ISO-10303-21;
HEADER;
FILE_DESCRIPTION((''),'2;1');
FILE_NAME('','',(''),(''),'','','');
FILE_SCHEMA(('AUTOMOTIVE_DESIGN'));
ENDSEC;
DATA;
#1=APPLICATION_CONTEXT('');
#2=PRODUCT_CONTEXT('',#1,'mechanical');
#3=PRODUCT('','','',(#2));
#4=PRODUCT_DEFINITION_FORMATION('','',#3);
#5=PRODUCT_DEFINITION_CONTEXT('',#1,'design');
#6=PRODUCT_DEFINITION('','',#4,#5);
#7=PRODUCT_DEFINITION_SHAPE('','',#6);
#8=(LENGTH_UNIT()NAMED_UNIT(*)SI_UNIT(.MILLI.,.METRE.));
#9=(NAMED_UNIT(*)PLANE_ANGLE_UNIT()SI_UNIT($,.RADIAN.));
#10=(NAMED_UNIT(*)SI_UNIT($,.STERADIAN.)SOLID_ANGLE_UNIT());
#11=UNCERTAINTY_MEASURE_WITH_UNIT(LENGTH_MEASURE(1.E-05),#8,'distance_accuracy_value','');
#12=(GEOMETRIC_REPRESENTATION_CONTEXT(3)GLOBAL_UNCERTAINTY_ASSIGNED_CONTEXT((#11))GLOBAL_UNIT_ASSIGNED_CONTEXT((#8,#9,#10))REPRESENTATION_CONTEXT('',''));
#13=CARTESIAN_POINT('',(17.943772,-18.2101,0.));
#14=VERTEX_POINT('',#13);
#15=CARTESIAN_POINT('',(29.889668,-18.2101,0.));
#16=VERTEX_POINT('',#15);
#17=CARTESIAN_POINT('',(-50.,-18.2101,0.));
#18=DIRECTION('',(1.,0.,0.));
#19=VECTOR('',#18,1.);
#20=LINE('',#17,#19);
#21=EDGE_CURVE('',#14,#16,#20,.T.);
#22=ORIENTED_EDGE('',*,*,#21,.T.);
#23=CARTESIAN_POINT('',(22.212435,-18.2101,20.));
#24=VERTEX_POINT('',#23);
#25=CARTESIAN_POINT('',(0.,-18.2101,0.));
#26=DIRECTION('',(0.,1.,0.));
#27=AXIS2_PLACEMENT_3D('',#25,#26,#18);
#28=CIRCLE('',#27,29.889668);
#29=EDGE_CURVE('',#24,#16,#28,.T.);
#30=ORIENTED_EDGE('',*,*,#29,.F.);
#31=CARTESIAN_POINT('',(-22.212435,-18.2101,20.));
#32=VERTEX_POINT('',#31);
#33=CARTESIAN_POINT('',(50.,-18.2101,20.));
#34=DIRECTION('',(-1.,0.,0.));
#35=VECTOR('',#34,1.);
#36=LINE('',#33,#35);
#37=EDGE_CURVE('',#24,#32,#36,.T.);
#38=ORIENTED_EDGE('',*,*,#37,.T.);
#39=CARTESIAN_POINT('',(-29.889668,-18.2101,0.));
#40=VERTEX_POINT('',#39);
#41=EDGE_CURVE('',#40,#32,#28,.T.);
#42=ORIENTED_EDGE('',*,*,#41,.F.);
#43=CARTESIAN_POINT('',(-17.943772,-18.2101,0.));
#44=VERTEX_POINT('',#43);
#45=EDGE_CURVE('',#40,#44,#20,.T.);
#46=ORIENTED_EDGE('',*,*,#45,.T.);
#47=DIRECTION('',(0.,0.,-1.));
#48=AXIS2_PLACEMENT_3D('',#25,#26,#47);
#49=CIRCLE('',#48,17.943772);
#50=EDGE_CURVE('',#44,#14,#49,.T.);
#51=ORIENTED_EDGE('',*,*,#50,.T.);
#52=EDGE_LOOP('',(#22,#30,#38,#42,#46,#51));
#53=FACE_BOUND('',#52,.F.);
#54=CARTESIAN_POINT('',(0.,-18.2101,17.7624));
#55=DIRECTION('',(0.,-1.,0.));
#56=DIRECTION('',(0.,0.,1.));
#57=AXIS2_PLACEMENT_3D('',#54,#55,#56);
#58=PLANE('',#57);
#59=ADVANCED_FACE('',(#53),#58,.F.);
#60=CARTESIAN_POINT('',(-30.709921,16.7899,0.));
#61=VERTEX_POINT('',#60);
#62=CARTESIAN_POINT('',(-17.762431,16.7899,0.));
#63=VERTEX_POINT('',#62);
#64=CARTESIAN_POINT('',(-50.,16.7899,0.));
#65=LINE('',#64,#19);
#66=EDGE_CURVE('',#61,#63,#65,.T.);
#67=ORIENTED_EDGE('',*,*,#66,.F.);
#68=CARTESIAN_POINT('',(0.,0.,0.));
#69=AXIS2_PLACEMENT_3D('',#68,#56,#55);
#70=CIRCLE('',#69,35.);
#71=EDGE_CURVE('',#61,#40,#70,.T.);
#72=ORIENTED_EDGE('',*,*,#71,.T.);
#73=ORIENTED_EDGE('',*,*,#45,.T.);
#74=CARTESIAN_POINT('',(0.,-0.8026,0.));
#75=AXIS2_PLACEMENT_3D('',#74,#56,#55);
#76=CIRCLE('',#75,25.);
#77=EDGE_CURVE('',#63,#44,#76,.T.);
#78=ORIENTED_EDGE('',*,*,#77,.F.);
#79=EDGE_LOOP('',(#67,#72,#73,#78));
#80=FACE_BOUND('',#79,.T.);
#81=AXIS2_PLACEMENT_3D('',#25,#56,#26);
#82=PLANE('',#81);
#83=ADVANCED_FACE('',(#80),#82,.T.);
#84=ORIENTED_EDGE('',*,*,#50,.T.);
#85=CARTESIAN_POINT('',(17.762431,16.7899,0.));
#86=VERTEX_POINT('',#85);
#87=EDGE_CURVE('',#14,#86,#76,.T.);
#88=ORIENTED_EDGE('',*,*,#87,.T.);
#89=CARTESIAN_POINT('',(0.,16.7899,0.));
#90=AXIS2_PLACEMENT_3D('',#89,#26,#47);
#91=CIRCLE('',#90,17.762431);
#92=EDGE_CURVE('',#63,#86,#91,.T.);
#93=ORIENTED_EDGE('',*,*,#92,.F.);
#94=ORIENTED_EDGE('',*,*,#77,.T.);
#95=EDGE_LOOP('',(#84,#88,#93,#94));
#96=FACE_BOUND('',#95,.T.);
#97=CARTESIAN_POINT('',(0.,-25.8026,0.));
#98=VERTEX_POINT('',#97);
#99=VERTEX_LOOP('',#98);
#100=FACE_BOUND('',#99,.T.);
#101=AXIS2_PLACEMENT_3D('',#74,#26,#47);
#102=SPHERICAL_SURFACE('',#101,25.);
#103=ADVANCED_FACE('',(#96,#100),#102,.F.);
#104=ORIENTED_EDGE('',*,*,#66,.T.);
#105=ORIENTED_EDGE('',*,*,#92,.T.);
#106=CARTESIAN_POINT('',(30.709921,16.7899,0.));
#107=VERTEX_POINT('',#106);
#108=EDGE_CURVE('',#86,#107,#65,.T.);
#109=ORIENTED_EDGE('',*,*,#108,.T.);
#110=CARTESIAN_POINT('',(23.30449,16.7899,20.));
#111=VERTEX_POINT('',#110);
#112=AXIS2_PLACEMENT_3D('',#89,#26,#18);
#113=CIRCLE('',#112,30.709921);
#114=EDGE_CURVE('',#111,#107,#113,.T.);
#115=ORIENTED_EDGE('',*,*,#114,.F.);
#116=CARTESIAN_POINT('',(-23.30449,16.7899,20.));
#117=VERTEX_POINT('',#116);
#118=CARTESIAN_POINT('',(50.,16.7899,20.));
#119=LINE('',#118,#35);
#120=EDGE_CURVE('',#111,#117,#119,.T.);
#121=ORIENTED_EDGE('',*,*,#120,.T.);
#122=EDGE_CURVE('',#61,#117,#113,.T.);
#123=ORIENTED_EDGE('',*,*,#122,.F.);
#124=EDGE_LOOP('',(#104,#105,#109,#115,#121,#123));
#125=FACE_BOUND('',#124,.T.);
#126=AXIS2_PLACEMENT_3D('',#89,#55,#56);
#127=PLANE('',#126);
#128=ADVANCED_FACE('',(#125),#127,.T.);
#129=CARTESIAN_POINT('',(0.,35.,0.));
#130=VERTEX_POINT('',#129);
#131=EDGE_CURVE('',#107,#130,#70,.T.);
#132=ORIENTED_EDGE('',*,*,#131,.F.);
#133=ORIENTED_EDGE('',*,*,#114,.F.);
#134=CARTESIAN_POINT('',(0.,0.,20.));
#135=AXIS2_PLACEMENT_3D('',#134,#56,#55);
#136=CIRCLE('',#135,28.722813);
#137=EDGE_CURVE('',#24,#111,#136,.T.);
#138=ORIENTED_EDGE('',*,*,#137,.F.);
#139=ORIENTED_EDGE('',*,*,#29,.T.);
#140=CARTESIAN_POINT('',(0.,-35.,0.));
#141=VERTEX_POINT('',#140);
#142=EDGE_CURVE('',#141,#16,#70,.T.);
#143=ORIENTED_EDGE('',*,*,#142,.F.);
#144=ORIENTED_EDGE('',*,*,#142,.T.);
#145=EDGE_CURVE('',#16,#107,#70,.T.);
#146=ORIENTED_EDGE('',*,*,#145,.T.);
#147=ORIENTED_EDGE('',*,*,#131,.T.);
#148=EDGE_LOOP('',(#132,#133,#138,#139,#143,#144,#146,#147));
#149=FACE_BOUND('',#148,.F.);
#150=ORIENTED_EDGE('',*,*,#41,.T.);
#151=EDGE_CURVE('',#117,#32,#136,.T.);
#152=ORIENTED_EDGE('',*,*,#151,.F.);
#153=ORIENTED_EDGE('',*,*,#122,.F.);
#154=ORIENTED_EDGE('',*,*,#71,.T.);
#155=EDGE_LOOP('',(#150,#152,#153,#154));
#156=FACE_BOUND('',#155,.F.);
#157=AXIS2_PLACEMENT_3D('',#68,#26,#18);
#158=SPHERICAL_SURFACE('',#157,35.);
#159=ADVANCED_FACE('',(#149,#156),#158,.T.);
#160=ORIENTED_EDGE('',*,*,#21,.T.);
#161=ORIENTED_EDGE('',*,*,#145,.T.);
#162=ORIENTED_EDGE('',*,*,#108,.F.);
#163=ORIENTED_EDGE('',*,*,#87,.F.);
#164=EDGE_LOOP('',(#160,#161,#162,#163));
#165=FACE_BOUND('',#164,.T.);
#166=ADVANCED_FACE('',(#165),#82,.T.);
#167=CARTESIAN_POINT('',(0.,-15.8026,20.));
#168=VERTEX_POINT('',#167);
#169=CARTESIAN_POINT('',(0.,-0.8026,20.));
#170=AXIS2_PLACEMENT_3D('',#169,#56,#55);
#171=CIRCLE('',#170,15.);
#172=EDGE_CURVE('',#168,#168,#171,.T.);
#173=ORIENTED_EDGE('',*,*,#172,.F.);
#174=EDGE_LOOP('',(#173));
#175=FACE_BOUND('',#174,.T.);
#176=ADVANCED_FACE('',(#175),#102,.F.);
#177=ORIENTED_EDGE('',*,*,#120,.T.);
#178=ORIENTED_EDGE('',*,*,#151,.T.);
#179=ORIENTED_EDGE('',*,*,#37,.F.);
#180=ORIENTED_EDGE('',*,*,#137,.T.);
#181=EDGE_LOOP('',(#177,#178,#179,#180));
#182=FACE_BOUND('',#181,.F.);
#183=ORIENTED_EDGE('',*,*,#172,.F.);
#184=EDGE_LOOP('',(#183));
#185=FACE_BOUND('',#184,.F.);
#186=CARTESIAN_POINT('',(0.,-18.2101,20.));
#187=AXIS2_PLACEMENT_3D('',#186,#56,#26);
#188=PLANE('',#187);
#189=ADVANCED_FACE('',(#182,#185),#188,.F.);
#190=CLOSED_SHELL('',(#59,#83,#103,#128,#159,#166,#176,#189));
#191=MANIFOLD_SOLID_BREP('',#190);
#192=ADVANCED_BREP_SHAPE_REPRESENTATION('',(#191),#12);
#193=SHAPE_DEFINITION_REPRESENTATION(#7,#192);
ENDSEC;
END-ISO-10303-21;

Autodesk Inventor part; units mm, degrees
ref_plane "YZ Plane" through (0, 0, 0) normal (1, 0, 0) x (0, 1, 0)
ref_plane "XZ Plane" through (0, 0, 0) normal (0, 1, 0) x (-1, 0, 0)
ref_plane "XY Plane" through (0, 0, 0) normal (0, 0, 1) x (1, 0, 0)
sketch "Эскиз1" plane through (0, 0, 0) normal (0, 0, 1) x (1, 0, 0)
  circle A0 centre (0, 0) radius 35
  line L0 (0, 35) -> (0, -35)
  dimension "d0" = 70
revolve "Вращение1" add sketch "Эскиз1" angle 360 about axis through (0, 35, 0) along (0, -1, 0)
sketch "Эскиз2" plane through (0, 0, 0) normal (1, 0, 0) x (0, 1, 0)
  circle A0 centre (-0.8026, 0) radius 25
  line L0 (24.1974, 0) -> (-25.8026, 0)
  point P0 (0, 0)
  dimension "d2" = 50
revolve "Вращение2" cut sketch "Эскиз2" angle 360 about axis through (0, 24.1974, 0) along (0, -1, 0) picked at (-3.9998, -9.7861) contours A0 L0
sketch "Эскиз3" plane through (0, 0, 0) normal (1, 0, 0) x (0, 1, 0)
  circle A0 centre (-0.8026, 0) radius 25 projected
  line L0 (16.7899, 17.7624) -> (-18.4199, 17.7624)
  line L1 (-18.4199, 17.7624) -> (-18.4199, 0)
  line L2 (-18.4199, 0) -> (16.7899, 0)
  line L3 (16.7899, 0) -> (16.7899, 17.7624)
  line L4 (16.7899, 0) -> (-18.2101, 0)
  line L5 (-18.2101, 0) -> (-18.2101, 20)
  line L6 (-18.2101, 20) -> (16.7899, 20)
  line L7 (16.7899, 20) -> (16.7899, 0)
  point P0 (0, 0)
  dimension "d4" = 35
  dimension "d5" = 20
extrude "Выдавливание1" cut sketch "Эскиз3" along normal mid plane 100 contours L0 L5 A0 L6 | L3 L2 L5 L0 | A0 L6 L7 | A0 L5 L6
properties part number "Шар"
